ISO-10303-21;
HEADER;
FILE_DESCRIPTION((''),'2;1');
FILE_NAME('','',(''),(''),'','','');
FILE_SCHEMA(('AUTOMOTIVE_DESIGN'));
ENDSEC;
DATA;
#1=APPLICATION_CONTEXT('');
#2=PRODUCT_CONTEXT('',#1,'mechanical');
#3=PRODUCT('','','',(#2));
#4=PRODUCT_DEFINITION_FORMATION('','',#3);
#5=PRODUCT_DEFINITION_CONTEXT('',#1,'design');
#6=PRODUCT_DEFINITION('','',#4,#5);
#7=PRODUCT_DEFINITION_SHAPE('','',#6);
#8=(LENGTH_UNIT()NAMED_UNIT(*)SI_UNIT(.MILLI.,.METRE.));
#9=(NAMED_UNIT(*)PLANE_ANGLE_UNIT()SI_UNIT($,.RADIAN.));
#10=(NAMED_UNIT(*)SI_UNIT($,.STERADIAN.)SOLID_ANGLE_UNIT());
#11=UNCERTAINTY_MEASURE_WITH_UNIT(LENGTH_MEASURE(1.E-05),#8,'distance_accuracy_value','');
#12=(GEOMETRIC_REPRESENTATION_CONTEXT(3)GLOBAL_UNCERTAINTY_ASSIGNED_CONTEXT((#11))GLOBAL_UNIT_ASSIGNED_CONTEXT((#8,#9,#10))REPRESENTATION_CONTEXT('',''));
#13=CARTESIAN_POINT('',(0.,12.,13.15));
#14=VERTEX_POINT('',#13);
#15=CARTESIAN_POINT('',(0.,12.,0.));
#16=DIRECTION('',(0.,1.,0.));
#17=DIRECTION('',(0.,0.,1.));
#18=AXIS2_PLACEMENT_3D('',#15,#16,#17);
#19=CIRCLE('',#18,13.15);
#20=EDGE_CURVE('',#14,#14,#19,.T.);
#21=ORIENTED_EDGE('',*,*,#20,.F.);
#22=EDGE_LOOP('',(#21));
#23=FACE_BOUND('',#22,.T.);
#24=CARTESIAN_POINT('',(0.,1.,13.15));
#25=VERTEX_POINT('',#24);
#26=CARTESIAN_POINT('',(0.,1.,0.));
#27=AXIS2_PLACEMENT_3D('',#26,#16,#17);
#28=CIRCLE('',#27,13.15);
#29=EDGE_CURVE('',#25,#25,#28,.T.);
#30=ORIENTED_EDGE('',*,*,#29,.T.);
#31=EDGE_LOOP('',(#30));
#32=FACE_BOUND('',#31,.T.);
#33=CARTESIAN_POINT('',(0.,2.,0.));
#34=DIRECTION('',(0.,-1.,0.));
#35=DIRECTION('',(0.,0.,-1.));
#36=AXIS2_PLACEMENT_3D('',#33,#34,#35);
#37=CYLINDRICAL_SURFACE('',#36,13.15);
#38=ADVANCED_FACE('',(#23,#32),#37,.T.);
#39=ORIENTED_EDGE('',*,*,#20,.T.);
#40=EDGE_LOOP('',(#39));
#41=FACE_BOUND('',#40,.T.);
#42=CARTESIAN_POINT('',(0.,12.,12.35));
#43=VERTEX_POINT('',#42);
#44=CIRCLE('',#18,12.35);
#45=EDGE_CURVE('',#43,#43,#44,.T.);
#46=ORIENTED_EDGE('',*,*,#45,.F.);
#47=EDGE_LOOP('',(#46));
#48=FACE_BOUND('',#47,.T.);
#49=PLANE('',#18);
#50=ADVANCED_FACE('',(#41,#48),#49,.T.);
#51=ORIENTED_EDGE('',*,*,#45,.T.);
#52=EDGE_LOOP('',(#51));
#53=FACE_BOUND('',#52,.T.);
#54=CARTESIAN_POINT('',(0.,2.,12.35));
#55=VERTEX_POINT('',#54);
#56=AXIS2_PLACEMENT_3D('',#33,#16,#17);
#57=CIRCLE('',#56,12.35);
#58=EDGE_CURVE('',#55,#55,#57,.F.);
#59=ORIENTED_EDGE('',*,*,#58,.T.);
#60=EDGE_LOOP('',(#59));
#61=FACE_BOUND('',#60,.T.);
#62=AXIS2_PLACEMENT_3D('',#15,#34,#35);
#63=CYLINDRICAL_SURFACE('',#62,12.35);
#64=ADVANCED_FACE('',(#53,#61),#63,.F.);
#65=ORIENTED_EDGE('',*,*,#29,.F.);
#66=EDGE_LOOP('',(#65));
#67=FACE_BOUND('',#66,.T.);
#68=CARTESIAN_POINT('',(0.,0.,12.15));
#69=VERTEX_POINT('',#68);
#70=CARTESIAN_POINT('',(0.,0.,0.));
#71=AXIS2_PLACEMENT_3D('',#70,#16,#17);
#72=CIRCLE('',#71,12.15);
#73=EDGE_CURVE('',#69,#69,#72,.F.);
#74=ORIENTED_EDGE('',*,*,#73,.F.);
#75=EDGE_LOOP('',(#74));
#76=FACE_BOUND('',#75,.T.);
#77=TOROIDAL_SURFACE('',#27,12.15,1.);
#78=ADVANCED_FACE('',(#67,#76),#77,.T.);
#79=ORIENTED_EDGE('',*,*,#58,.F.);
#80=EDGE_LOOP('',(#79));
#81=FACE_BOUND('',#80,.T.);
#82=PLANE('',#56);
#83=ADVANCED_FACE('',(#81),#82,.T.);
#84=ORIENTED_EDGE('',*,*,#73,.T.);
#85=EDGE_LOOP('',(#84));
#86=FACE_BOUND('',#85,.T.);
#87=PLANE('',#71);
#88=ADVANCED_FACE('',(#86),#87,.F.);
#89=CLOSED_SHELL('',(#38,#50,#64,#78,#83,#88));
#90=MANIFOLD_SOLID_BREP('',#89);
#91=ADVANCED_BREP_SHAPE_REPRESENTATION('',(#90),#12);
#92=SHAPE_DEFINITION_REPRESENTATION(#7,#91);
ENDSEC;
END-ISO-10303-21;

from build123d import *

# Parameters (mm, degrees)
SKETCH1_R           = 13.15
BOSS_EXTRUDE1_DEPTH = 2
SKETCH2_R           = 13.15
SKETCH2_R_2         = 12.35
BOSS_EXTRUDE2_DEPTH = 10
FILLET1_R           = 1


with BuildPart() as part:
    # Sketch1 → Boss-Extrude1 (new body)
    with BuildSketch(Plane(origin=(0, 0, 0), x_dir=(1, 0, 0), z_dir=(0, 1, 0))):
        with Locations(Location((0, 0, 0), (0, 0, 270))):
            Circle(SKETCH1_R)
    extrude(amount=BOSS_EXTRUDE1_DEPTH)

    # Sketch2 → Boss-Extrude2 (add)
    with BuildSketch(Plane(origin=(0, 2, 0), x_dir=(1, 0, 0), z_dir=(0, 1, 0))):
        with Locations(Location((0, 0, 0), (0, 0, 270))):
            Circle(SKETCH2_R)
        with Locations(Location((0, 0, 0), (0, 0, 270))):
            Circle(SKETCH2_R_2, mode=Mode.SUBTRACT)
    extrude(amount=BOSS_EXTRUDE2_DEPTH)

    # Fillet1
    fillet1_edges = [part.edges().sort_by_distance(p)[0] for p in [
        (0, 0, -13.15),
    ]]
    fillet(fillet1_edges, radius=FILLET1_R)


solid = part.part
